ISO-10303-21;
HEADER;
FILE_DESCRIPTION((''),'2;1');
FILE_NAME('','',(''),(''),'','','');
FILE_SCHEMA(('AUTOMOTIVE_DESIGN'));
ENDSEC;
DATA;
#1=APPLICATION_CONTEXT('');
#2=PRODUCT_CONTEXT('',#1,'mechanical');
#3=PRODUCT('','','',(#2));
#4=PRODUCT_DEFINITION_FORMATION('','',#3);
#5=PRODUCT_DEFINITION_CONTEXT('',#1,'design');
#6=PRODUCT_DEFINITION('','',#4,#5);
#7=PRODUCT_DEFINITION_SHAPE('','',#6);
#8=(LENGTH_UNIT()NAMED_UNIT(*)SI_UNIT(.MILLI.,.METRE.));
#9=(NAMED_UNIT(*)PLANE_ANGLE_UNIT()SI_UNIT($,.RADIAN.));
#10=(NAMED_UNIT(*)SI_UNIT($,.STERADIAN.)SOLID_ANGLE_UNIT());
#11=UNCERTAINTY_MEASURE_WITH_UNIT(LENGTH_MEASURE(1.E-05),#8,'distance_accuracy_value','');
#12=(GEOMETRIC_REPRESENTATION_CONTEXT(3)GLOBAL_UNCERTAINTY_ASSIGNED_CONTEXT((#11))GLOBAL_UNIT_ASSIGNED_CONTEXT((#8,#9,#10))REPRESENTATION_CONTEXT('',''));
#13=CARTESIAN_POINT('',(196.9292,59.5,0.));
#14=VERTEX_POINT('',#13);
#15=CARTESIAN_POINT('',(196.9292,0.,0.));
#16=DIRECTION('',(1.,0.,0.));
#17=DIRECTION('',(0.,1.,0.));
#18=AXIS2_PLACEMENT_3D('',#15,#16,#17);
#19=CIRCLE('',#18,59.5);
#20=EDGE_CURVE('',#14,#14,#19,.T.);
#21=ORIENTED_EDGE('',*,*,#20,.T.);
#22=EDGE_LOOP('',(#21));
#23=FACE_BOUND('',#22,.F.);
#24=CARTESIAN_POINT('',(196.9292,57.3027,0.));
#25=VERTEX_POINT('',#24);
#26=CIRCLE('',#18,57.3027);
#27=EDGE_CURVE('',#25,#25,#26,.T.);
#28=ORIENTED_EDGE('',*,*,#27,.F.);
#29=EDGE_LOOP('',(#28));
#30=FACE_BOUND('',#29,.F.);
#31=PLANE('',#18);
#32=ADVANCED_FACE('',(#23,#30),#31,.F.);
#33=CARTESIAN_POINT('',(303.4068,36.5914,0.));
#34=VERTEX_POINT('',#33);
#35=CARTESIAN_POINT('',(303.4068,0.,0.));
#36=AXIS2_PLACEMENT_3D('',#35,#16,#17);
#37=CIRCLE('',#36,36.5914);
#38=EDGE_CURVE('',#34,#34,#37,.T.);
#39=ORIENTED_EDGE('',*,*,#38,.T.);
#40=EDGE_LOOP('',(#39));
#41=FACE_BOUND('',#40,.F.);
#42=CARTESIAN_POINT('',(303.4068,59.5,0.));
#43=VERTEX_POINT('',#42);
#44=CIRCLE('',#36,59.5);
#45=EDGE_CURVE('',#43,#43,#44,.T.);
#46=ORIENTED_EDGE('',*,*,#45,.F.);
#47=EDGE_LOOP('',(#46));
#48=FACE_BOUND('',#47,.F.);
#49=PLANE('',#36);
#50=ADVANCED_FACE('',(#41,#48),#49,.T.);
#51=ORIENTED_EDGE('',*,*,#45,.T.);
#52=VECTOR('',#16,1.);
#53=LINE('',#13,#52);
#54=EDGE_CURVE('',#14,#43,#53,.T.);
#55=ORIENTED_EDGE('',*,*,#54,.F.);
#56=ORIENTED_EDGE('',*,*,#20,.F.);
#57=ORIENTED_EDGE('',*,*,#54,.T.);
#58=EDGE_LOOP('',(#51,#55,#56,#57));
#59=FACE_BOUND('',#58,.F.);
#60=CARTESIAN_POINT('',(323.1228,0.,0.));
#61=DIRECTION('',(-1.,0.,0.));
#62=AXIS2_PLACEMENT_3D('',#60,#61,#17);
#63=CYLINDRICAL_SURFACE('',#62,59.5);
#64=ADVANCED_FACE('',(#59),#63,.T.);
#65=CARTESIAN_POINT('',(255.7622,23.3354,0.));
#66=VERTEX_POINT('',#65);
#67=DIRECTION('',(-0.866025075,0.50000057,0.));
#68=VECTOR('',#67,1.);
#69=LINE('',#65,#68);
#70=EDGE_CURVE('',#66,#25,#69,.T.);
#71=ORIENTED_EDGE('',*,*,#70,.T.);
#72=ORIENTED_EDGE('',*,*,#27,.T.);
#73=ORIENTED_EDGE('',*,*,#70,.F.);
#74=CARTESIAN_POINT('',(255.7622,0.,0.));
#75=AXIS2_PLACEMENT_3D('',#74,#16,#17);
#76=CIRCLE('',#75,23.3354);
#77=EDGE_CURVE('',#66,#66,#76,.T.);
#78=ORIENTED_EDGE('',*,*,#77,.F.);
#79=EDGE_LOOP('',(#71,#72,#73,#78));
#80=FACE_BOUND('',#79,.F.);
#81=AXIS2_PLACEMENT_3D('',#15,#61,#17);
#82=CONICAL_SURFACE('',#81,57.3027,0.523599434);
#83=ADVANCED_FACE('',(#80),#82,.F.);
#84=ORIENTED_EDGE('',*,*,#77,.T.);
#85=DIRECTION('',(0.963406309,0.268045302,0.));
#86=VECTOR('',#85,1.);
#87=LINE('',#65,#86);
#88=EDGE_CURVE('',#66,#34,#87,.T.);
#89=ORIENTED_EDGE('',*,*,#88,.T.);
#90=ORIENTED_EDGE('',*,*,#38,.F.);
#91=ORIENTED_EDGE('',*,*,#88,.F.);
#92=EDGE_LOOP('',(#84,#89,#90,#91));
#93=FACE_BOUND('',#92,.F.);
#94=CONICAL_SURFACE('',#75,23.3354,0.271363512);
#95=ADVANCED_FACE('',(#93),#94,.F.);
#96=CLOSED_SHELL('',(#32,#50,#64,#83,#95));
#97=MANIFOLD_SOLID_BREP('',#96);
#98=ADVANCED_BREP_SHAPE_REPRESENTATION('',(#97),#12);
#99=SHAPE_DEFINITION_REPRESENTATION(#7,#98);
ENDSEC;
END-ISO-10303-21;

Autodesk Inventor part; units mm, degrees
ref_plane "YZ Plane" through (0, 0, 0) normal (1, 0, 0) x (0, 1, 0)
ref_plane "XZ Plane" through (0, 0, 0) normal (0, 1, 0) x (-1, 0, 0)
sketch "Sketch3" plane through (0, 0, 0) normal (0, 0, 1) x (1, 0, 0)
  line L0 (254.7886, 18.124) -> (254.7886, 0) construction
  line L1 (192, 54.375) -> (254.7886, 18.124)
  line L2 (0, 0) -> (487.78, 0)
  line L3 (254.7886, 18.124) -> (256.7886, 18.124)
  line L4 (256.7886, 18.124) -> (327.1228, 36.97)
  line L5 (327.1228, 36.97) -> (327.1228, 0)
  line L6 (327.1228, 40.0758) -> (255.8936, 20.258)
  line L7 (255.8936, 20.258) -> (255.0924, 20.258)
  line L8 (255.0924, 20.258) -> (192.3194, 56.5)
  line L9 (327.1228, 36.97) -> (327.1228, 40.0758)
  line L10 (192, 54.375) -> (191.7835, 54.5)
  line L11 (0, 0) -> (0, 54.5)
  line L12 (0, 54.5) -> (274.8621, 54.5) construction
  line L13 (191.7835, 54.5) -> (188.7835, 54.5)
  line L14 (188.7835, 54.5) -> (188.7835, 56.5)
  line L15 (188.7835, 56.5) -> (192.3194, 56.5)
  line L16 (327.1228, 0) -> (327.1228, 59.5)
  line L17 (327.1228, 59.5) -> (323.1228, 59.5)
  line L18 (323.1228, 59.5) -> (323.1228, 38.9629)
  line L19 (323.1228, 59.5) -> (156.7613, 59.5)
  line L20 (323.1228, 59.5) -> (321.1228, 59.5)
  line L21 (321.1228, 59.5) -> (307.4068, 59.5)
  line L22 (255.7622, 23.3354) -> (330.1228, 44.0245)
  line L23 (185.7835, 59.5) -> (193.1232, 59.5)
  line L24 (196.9292, 57.3027) -> (255.7622, 23.3354)
  line L25 (327.1228, 0) -> (251.1228, 0)
  line L26 (251.1228, 0) -> (251.1228, 85.8664)
  line L27 (196.9292, 59.5) -> (196.9292, 57.3027)
  line L28 (303.4068, 37.7043) -> (303.4068, 63.5)
  line L29 (321.1228, 63.5) -> (323.1228, 63.5)
  line L30 (303.4068, 37.7043) -> (303.4068, 36.5914)
  point P0 (322.4487, 38.7754)
  point P1 (191.9595, 55.4142)
  point P2 (188.9595, 55.4)
  point P3 (303.4068, 59.5)
  dimension "d65" = 18.124
  dimension "d66" = 30
  dimension "d67" = 18.124
  dimension "d68" = 2
  dimension "d69" = 15
  dimension "d70" = 36.97
  dimension "d71" = 2
  dimension "d72" = 54.5
  dimension "d73" = 3
  dimension "d74" = 2
  dimension "d75" = 59.5
  dimension "d76" = 4
  dimension "d77" = 2
  dimension "d78" = 13.716
  dimension "d79" = 3
  dimension "d90" = 76
revolve "Revolution2" add sketch "Sketch3" angle 360 about axis through (0, 0, 0) along (1, 0, 0) contours L26 L19 L28 L30 L22 L24 | L24 L27 L19 L26
ref_plane "Work Plane2" through (0, 0, 59.5) normal (0, 0, 1) x (1, 0, 0)
split_face "Split5"
properties part number "stainless steel space" material "Aluminum 6061"
